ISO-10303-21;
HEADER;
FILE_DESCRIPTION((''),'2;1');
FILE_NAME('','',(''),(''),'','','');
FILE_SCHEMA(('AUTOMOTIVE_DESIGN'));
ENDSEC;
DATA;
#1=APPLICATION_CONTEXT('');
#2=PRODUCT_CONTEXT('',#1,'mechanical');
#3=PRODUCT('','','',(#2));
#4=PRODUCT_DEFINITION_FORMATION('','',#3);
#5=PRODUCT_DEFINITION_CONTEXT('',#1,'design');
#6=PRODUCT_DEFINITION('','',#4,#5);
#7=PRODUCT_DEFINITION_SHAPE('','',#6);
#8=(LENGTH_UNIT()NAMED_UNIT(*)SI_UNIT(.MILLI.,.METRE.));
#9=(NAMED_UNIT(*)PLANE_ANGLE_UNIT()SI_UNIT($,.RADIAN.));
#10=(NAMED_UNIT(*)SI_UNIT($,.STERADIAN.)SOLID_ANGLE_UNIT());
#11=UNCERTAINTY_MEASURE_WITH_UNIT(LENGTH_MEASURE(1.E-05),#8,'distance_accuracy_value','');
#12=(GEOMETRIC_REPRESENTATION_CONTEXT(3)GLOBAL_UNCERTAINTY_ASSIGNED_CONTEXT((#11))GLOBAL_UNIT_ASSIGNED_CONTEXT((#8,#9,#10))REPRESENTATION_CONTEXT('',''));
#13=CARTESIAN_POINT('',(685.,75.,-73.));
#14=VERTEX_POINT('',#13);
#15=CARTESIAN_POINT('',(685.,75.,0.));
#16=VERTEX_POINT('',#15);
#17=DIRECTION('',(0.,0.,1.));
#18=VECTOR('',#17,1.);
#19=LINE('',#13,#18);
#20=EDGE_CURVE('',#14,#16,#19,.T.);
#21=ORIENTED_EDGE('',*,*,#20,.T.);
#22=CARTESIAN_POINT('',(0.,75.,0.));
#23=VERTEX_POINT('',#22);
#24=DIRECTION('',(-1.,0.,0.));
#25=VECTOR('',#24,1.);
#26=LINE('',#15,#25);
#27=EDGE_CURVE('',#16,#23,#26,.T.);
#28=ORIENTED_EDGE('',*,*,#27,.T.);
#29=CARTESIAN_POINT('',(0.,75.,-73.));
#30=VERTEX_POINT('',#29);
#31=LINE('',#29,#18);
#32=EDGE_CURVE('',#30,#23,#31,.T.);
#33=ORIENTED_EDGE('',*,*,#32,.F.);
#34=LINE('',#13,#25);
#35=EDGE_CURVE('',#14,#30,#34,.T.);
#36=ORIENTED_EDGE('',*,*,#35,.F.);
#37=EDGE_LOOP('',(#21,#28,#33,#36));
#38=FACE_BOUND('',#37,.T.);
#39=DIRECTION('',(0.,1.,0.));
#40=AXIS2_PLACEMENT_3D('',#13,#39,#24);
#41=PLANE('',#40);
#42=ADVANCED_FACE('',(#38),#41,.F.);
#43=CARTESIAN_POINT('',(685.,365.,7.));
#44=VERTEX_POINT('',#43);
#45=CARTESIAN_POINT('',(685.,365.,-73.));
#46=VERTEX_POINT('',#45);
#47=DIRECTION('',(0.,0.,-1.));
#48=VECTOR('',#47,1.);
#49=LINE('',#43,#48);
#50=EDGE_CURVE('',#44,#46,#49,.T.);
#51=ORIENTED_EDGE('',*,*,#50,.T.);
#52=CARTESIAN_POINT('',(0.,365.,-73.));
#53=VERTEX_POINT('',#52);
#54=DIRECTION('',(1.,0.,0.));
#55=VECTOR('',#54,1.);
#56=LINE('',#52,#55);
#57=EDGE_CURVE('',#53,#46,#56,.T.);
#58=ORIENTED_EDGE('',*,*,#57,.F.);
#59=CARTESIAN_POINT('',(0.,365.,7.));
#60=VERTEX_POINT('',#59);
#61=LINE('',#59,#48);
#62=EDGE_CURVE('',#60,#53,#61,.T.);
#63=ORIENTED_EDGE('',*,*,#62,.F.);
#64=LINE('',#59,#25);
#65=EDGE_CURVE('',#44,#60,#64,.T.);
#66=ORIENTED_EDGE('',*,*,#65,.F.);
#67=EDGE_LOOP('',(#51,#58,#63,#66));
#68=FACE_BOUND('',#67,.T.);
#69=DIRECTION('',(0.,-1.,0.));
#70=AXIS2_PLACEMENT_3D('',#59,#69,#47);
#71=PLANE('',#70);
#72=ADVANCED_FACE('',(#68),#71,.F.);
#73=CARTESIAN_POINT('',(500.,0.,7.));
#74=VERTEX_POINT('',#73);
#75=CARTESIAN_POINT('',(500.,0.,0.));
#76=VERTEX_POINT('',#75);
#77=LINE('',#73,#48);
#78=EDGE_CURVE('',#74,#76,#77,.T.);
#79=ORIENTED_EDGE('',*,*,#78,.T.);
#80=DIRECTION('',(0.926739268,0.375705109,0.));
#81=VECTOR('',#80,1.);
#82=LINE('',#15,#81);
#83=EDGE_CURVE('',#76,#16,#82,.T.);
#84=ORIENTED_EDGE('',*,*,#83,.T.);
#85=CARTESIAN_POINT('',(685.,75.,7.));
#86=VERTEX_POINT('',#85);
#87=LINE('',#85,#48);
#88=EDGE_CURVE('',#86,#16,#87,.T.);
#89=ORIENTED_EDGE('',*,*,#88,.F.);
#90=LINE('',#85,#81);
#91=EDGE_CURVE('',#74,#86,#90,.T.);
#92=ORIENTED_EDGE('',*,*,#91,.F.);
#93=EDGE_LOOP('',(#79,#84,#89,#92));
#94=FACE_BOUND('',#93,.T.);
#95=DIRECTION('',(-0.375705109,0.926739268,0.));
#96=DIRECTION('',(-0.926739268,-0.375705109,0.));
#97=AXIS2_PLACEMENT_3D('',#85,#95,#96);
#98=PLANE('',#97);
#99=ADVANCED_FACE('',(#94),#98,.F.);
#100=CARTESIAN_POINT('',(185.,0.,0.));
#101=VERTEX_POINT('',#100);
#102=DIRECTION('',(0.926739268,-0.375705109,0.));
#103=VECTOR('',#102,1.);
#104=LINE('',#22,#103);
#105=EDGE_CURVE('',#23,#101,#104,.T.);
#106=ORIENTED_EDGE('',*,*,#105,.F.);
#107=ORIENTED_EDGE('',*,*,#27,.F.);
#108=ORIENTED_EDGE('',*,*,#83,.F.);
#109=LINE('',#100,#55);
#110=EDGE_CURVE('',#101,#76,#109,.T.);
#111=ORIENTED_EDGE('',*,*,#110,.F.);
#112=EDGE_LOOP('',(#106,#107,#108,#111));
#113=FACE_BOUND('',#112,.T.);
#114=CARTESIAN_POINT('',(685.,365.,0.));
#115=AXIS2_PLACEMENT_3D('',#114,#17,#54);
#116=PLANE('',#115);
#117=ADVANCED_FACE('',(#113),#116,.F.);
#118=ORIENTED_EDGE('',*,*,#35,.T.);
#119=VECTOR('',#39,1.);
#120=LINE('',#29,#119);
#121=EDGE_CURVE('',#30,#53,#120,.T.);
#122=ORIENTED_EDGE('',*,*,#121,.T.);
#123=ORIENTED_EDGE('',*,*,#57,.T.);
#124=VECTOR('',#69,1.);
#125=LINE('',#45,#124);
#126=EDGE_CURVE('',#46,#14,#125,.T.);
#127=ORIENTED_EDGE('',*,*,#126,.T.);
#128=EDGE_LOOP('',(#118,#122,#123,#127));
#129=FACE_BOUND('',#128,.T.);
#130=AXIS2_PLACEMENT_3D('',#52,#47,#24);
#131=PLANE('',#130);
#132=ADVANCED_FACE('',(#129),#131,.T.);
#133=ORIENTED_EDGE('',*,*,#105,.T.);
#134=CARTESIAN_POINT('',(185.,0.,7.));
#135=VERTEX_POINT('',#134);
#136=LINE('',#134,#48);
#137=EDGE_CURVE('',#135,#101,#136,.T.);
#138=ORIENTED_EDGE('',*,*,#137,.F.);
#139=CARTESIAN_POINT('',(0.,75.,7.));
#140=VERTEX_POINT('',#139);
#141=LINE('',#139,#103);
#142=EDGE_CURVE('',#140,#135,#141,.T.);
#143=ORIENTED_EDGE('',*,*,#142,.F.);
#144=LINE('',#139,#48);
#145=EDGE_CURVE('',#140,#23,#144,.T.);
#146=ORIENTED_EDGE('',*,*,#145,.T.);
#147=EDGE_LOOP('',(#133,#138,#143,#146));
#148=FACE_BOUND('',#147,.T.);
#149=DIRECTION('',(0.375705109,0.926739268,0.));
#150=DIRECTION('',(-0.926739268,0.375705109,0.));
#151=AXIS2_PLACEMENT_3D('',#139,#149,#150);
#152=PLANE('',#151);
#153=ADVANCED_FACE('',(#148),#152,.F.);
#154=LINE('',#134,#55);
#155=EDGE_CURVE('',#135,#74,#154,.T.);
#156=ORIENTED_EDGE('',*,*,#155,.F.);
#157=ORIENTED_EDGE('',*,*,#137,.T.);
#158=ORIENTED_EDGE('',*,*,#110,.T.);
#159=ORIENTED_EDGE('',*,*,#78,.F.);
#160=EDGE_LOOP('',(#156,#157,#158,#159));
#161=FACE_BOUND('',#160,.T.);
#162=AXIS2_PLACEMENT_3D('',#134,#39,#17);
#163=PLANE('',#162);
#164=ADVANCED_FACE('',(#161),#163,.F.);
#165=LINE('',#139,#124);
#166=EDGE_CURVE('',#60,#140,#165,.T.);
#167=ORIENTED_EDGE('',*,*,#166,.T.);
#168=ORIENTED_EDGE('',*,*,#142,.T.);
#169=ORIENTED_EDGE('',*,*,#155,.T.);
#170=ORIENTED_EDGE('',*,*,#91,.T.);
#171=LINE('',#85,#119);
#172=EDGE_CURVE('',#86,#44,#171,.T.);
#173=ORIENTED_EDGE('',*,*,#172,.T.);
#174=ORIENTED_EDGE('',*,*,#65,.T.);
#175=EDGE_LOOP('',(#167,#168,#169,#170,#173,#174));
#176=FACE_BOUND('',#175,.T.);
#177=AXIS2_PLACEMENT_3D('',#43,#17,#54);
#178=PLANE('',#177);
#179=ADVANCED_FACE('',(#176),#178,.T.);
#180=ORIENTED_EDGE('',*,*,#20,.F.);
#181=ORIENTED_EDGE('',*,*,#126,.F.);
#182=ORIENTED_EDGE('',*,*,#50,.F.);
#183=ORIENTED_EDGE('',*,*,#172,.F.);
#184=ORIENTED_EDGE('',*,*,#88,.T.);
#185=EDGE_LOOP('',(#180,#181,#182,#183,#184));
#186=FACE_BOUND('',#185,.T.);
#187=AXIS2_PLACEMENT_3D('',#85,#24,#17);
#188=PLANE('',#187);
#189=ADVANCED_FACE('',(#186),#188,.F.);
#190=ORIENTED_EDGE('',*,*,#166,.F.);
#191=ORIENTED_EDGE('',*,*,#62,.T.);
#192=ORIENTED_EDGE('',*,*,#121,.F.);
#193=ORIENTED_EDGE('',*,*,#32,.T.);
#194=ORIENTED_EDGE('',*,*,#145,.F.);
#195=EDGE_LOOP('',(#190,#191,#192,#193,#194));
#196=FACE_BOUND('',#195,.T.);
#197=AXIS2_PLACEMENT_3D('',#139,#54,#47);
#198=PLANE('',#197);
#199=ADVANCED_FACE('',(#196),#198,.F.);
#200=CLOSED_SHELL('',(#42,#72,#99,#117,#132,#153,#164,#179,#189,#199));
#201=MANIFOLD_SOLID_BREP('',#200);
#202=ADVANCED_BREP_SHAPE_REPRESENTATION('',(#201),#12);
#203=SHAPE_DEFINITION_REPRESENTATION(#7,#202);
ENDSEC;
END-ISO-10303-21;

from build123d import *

# Parameters (mm, degrees)
EXTRUDE1_DEPTH = 7
SKETCH2_W      = 685
SKETCH2_H      = 290
EXTRUDE2_DEPTH = 73


with BuildPart() as part:
    # Sketch1 → Extrude1 (new body)
    with BuildSketch(Plane.XY):
        Polygon((0, 75), (185, 0), (500, 0), (685, 75), (685, 365), (0, 365), align=None)
    extrude(amount=EXTRUDE1_DEPTH)

    # Sketch2 → Extrude2 (add)
    with BuildSketch(Plane(origin=(0, 0, 0), x_dir=(-1, 0, 0), z_dir=(0, 0, -1))):
        with Locations((-342.5, 220)):
            Rectangle(SKETCH2_W, SKETCH2_H)
    extrude(amount=EXTRUDE2_DEPTH)


solid = part.part
